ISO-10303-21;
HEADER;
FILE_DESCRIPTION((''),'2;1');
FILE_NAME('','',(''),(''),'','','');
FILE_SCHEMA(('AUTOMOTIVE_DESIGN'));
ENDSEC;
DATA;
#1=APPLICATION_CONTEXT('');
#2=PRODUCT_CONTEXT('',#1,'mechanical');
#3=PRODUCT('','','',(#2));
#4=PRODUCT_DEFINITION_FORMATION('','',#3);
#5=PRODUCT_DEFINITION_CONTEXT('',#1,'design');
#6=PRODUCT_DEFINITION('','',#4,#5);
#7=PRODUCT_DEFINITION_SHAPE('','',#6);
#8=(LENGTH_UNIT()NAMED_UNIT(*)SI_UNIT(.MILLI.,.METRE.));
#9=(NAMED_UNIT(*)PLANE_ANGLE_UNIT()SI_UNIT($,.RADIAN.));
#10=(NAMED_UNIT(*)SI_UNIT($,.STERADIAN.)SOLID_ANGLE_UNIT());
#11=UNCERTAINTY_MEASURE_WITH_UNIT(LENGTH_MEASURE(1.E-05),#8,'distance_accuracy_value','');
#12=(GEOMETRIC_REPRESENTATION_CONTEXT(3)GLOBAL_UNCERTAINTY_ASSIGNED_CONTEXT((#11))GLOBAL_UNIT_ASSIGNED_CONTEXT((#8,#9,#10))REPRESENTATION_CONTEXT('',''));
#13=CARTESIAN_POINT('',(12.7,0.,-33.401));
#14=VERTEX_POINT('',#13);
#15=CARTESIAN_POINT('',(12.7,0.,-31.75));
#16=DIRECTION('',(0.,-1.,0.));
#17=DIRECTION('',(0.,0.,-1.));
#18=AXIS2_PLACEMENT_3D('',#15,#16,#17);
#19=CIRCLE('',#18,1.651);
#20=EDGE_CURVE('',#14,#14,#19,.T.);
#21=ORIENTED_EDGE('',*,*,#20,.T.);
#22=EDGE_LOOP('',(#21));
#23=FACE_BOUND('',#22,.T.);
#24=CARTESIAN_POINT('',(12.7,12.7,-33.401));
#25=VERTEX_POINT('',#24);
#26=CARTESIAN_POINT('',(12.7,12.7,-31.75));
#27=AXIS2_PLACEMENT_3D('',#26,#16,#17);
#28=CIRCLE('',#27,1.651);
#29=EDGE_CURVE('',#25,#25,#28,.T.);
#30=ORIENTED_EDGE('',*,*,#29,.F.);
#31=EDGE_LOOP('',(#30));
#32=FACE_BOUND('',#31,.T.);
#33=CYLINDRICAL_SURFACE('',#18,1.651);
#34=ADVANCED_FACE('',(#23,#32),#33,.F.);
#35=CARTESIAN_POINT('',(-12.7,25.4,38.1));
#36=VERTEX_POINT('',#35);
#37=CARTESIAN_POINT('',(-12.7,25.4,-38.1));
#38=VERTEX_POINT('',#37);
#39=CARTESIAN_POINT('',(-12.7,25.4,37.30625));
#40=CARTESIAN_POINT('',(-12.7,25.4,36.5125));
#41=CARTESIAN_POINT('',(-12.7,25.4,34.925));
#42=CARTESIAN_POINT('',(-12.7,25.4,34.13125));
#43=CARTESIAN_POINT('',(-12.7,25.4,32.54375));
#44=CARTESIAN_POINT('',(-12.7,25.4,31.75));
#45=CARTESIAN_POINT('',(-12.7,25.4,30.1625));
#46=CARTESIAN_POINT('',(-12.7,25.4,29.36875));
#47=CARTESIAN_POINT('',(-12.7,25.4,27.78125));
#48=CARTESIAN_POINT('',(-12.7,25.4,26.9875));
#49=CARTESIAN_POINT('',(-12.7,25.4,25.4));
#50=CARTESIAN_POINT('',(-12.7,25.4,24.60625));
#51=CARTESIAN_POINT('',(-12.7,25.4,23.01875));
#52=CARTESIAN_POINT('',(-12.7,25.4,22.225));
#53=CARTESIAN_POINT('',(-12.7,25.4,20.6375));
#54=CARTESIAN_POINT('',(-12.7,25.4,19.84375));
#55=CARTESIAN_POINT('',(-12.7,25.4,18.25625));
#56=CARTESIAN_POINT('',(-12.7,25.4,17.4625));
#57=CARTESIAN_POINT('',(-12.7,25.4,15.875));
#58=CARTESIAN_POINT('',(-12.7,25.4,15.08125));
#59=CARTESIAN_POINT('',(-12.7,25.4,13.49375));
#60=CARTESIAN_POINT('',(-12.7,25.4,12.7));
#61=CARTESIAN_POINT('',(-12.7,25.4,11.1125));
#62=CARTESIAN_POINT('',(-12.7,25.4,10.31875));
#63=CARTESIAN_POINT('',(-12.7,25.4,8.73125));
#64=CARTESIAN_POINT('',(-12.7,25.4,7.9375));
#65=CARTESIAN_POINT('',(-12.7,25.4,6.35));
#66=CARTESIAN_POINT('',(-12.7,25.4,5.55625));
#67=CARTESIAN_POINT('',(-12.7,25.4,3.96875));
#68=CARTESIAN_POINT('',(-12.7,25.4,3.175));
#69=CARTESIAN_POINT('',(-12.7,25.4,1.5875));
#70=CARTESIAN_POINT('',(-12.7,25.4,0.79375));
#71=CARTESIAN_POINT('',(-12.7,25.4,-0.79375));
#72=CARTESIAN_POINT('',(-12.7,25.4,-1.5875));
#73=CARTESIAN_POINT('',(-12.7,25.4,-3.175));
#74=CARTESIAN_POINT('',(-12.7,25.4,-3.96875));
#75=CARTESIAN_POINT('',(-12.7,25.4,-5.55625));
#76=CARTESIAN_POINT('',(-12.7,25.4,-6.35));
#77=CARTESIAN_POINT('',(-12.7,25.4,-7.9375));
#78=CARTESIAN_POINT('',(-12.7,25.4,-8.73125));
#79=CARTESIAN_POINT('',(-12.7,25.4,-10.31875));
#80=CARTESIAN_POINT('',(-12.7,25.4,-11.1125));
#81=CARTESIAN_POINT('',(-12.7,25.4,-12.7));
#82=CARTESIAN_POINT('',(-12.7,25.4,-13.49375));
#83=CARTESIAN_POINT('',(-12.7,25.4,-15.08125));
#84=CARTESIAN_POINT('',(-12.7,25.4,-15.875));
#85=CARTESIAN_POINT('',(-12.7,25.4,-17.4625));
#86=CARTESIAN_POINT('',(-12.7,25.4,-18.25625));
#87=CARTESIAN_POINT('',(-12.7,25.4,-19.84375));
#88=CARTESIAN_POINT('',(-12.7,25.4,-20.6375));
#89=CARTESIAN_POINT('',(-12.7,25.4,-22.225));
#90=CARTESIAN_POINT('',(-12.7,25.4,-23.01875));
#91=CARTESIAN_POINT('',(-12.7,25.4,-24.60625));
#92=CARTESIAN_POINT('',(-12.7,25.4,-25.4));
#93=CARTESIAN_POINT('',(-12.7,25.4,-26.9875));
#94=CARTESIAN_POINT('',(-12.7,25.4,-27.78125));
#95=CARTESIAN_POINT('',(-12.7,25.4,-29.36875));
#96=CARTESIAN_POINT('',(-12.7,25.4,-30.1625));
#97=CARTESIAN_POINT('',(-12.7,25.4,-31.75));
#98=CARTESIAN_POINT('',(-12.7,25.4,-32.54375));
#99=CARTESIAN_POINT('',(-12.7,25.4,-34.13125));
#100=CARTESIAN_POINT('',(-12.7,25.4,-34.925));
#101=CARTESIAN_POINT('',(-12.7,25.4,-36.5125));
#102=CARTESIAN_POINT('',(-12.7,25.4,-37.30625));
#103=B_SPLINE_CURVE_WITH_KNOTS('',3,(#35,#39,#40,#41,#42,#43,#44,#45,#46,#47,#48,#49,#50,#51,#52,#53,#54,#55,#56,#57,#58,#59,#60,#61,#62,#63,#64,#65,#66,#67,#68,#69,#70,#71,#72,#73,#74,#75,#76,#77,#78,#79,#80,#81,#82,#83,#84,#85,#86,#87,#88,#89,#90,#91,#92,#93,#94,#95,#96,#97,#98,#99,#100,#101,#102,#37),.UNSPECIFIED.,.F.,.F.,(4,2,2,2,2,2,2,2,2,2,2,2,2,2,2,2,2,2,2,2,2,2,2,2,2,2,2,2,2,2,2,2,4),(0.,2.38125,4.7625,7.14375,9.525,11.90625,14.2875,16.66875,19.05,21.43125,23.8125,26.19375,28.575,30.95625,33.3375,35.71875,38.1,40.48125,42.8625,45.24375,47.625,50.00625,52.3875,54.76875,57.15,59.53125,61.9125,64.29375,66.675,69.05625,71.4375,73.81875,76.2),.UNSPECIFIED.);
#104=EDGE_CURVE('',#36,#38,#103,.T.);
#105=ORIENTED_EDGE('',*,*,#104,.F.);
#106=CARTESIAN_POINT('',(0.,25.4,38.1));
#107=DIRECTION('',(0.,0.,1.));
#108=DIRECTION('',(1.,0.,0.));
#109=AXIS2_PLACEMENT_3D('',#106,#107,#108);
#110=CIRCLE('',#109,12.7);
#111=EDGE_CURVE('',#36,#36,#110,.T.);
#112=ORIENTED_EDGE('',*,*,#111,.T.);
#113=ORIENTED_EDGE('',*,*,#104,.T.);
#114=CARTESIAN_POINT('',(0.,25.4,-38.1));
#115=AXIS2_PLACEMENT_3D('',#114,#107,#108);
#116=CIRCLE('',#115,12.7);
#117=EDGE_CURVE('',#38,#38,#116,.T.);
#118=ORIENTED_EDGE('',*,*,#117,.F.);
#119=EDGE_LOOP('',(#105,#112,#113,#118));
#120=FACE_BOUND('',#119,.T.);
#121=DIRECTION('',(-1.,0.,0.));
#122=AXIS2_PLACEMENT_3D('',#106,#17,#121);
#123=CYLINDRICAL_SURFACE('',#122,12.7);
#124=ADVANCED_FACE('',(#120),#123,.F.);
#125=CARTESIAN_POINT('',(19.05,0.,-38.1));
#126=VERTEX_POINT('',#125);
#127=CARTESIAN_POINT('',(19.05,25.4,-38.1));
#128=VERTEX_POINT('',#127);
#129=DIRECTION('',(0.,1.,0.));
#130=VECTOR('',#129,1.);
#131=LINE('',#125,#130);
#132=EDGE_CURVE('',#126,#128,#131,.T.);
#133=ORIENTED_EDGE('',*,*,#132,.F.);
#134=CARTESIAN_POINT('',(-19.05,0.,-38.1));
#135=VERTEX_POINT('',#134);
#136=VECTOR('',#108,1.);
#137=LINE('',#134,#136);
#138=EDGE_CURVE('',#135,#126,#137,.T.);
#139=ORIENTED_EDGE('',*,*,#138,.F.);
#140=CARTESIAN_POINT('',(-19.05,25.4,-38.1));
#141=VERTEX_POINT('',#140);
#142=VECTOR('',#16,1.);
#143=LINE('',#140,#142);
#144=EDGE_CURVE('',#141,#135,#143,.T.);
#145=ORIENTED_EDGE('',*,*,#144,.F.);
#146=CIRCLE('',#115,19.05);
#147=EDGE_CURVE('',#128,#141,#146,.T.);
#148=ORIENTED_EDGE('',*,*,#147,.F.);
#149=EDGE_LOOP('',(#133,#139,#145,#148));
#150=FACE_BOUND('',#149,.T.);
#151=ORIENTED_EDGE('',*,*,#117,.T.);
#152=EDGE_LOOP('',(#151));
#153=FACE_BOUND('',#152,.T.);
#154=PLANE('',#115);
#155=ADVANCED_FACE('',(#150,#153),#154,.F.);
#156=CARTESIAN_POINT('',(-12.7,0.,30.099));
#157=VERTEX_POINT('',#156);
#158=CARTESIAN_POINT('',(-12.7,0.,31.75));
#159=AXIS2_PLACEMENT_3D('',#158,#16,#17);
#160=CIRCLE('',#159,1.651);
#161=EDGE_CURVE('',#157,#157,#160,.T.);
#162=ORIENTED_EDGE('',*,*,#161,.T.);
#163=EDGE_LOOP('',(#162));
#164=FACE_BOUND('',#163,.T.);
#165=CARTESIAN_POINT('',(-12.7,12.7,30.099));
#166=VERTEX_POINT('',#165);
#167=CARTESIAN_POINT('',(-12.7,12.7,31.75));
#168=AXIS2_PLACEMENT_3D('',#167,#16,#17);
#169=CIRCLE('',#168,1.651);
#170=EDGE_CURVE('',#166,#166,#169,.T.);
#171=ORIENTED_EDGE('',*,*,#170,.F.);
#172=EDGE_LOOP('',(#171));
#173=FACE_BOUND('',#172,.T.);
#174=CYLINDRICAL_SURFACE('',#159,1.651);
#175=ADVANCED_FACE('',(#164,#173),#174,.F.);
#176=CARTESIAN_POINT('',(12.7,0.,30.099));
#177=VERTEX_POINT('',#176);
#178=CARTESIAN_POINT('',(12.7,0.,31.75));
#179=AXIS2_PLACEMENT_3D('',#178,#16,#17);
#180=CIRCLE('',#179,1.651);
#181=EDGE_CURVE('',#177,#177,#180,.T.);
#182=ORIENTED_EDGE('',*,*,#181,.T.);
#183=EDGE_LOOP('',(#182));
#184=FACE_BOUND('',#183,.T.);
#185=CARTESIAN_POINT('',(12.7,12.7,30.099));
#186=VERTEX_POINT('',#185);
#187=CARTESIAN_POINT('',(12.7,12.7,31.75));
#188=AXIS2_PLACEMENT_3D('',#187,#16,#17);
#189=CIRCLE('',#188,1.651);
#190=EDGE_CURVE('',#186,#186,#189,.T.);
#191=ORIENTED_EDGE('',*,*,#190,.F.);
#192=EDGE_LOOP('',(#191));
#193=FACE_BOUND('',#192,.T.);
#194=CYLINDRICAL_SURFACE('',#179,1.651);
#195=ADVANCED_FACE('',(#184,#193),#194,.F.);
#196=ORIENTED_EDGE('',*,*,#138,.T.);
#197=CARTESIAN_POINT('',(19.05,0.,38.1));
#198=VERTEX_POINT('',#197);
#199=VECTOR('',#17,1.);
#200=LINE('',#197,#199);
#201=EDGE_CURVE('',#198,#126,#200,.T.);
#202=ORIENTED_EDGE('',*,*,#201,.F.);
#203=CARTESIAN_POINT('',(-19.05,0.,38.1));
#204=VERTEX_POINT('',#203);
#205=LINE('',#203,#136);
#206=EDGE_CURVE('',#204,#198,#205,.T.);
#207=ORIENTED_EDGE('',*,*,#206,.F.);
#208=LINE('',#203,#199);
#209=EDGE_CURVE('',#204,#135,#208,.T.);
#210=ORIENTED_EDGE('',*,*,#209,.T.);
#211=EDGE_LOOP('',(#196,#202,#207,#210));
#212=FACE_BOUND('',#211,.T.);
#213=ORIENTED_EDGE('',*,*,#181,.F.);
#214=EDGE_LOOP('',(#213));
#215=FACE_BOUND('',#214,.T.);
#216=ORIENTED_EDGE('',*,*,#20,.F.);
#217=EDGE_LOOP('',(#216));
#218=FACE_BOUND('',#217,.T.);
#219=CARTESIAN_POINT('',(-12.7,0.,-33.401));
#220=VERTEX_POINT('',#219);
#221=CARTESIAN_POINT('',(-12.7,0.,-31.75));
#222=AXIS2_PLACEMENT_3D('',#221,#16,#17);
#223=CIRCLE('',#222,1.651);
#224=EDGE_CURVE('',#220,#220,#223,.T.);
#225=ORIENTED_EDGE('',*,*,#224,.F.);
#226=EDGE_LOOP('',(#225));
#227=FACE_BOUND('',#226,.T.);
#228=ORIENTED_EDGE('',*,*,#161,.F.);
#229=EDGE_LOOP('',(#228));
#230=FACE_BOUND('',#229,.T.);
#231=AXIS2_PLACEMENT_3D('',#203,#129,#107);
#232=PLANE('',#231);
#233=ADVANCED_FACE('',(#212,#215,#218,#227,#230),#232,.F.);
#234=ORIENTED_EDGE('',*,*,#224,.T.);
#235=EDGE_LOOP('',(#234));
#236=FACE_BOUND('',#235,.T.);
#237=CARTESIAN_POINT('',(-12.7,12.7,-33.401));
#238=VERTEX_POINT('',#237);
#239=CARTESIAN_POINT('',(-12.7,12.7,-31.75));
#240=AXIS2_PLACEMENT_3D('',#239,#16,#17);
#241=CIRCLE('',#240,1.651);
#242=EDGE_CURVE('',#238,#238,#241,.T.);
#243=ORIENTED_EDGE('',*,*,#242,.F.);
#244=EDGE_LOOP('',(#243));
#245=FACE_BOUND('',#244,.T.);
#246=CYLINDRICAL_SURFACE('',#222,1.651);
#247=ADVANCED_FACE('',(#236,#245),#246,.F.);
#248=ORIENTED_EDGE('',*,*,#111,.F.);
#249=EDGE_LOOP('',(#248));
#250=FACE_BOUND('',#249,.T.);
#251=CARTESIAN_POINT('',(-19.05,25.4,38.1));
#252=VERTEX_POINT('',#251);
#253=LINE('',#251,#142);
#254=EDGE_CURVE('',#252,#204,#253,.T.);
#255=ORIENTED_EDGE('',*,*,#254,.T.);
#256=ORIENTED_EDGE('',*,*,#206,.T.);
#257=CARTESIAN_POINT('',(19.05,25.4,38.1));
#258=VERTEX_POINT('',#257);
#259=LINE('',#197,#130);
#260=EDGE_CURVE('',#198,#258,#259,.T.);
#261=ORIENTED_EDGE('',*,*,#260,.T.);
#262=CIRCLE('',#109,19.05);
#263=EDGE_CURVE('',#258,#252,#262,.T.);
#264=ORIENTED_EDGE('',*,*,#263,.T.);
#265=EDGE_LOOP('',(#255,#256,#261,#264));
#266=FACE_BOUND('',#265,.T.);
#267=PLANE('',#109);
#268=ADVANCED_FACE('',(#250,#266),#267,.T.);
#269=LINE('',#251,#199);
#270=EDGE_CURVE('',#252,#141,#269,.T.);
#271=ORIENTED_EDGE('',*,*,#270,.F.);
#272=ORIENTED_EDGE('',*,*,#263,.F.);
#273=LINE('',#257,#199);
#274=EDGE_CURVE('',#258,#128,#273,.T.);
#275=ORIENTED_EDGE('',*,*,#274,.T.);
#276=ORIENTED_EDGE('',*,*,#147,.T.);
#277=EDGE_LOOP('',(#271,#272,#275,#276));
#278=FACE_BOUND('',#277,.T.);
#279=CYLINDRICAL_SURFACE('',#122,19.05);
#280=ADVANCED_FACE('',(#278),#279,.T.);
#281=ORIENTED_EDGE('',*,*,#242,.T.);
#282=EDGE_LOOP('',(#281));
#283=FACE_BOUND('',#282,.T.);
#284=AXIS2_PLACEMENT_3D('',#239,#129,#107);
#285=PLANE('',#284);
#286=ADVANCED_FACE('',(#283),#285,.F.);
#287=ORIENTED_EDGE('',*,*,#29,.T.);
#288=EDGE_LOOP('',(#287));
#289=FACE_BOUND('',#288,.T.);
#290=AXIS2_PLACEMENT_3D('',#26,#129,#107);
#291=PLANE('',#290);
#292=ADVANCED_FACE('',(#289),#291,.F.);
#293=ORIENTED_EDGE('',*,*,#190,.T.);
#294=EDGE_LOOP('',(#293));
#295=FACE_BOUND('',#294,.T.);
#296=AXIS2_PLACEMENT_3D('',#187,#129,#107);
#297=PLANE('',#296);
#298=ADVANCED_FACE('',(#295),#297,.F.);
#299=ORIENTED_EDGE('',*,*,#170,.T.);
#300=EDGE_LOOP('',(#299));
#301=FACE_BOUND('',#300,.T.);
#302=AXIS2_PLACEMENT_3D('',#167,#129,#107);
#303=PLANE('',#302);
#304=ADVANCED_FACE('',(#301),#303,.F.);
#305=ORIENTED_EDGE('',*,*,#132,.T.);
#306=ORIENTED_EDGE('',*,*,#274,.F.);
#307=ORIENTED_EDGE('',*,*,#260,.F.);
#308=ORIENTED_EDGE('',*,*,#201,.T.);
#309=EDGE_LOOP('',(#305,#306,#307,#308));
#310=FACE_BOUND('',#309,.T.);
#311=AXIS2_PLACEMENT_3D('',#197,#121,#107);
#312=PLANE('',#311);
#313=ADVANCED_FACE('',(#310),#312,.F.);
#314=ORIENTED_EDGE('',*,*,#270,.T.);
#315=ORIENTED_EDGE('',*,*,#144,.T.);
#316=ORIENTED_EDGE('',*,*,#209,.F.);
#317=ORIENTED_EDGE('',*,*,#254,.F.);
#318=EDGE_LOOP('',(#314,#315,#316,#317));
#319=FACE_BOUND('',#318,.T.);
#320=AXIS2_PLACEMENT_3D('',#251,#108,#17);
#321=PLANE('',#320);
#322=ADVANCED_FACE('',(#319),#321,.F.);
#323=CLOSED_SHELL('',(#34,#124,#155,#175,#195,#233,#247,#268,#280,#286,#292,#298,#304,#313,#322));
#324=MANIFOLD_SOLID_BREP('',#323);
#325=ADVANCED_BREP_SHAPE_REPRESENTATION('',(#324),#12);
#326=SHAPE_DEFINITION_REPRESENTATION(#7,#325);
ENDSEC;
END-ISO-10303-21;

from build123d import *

# Parameters (mm, degrees)
SKETCH1_R           = 12.7
BOSS_EXTRUDE1_DEPTH = 38.1
HOLE1_D             = 3.302
HOLE1_DEPTH         = 12.7
LPATTERN1_COUNT     = 2
LPATTERN1_PITCH     = 25.4


with BuildPart() as part:
    # Sketch1 → Boss-Extrude1 (new, symmetric)
    with BuildSketch(Plane.XY):
        with BuildLine():
            Line((-19.05, 25.4), (-19.05, 0))
            Line((-19.05, 0), (19.05, 0))
            Line((19.05, 0), (19.05, 25.4))
            ThreePointArc((19.05, 25.4), (0, 44.45), (-19.05, 25.4))
        make_face()
        with Locations(Location((0, 25.4, 0), (0, 0, 180))):
            Circle(SKETCH1_R, mode=Mode.SUBTRACT)
    extrude(amount=BOSS_EXTRUDE1_DEPTH, both=True)

    # Hole1
    with Locations(Plane(origin=(0, 0, 0), x_dir=(-1, 0, 0), z_dir=(0, -1, 0))):
        with Locations((-12.7, 31.75), (-12.7, -31.75)):
            hole1 = Hole(HOLE1_D / 2, depth=HOLE1_DEPTH)

    # LPattern1: Hole1 ×2
    with Locations(*[(-i * LPATTERN1_PITCH, 0, 0) for i in range(1, LPATTERN1_COUNT)]):
        add(hole1, mode=Mode.SUBTRACT)


solid = part.part
